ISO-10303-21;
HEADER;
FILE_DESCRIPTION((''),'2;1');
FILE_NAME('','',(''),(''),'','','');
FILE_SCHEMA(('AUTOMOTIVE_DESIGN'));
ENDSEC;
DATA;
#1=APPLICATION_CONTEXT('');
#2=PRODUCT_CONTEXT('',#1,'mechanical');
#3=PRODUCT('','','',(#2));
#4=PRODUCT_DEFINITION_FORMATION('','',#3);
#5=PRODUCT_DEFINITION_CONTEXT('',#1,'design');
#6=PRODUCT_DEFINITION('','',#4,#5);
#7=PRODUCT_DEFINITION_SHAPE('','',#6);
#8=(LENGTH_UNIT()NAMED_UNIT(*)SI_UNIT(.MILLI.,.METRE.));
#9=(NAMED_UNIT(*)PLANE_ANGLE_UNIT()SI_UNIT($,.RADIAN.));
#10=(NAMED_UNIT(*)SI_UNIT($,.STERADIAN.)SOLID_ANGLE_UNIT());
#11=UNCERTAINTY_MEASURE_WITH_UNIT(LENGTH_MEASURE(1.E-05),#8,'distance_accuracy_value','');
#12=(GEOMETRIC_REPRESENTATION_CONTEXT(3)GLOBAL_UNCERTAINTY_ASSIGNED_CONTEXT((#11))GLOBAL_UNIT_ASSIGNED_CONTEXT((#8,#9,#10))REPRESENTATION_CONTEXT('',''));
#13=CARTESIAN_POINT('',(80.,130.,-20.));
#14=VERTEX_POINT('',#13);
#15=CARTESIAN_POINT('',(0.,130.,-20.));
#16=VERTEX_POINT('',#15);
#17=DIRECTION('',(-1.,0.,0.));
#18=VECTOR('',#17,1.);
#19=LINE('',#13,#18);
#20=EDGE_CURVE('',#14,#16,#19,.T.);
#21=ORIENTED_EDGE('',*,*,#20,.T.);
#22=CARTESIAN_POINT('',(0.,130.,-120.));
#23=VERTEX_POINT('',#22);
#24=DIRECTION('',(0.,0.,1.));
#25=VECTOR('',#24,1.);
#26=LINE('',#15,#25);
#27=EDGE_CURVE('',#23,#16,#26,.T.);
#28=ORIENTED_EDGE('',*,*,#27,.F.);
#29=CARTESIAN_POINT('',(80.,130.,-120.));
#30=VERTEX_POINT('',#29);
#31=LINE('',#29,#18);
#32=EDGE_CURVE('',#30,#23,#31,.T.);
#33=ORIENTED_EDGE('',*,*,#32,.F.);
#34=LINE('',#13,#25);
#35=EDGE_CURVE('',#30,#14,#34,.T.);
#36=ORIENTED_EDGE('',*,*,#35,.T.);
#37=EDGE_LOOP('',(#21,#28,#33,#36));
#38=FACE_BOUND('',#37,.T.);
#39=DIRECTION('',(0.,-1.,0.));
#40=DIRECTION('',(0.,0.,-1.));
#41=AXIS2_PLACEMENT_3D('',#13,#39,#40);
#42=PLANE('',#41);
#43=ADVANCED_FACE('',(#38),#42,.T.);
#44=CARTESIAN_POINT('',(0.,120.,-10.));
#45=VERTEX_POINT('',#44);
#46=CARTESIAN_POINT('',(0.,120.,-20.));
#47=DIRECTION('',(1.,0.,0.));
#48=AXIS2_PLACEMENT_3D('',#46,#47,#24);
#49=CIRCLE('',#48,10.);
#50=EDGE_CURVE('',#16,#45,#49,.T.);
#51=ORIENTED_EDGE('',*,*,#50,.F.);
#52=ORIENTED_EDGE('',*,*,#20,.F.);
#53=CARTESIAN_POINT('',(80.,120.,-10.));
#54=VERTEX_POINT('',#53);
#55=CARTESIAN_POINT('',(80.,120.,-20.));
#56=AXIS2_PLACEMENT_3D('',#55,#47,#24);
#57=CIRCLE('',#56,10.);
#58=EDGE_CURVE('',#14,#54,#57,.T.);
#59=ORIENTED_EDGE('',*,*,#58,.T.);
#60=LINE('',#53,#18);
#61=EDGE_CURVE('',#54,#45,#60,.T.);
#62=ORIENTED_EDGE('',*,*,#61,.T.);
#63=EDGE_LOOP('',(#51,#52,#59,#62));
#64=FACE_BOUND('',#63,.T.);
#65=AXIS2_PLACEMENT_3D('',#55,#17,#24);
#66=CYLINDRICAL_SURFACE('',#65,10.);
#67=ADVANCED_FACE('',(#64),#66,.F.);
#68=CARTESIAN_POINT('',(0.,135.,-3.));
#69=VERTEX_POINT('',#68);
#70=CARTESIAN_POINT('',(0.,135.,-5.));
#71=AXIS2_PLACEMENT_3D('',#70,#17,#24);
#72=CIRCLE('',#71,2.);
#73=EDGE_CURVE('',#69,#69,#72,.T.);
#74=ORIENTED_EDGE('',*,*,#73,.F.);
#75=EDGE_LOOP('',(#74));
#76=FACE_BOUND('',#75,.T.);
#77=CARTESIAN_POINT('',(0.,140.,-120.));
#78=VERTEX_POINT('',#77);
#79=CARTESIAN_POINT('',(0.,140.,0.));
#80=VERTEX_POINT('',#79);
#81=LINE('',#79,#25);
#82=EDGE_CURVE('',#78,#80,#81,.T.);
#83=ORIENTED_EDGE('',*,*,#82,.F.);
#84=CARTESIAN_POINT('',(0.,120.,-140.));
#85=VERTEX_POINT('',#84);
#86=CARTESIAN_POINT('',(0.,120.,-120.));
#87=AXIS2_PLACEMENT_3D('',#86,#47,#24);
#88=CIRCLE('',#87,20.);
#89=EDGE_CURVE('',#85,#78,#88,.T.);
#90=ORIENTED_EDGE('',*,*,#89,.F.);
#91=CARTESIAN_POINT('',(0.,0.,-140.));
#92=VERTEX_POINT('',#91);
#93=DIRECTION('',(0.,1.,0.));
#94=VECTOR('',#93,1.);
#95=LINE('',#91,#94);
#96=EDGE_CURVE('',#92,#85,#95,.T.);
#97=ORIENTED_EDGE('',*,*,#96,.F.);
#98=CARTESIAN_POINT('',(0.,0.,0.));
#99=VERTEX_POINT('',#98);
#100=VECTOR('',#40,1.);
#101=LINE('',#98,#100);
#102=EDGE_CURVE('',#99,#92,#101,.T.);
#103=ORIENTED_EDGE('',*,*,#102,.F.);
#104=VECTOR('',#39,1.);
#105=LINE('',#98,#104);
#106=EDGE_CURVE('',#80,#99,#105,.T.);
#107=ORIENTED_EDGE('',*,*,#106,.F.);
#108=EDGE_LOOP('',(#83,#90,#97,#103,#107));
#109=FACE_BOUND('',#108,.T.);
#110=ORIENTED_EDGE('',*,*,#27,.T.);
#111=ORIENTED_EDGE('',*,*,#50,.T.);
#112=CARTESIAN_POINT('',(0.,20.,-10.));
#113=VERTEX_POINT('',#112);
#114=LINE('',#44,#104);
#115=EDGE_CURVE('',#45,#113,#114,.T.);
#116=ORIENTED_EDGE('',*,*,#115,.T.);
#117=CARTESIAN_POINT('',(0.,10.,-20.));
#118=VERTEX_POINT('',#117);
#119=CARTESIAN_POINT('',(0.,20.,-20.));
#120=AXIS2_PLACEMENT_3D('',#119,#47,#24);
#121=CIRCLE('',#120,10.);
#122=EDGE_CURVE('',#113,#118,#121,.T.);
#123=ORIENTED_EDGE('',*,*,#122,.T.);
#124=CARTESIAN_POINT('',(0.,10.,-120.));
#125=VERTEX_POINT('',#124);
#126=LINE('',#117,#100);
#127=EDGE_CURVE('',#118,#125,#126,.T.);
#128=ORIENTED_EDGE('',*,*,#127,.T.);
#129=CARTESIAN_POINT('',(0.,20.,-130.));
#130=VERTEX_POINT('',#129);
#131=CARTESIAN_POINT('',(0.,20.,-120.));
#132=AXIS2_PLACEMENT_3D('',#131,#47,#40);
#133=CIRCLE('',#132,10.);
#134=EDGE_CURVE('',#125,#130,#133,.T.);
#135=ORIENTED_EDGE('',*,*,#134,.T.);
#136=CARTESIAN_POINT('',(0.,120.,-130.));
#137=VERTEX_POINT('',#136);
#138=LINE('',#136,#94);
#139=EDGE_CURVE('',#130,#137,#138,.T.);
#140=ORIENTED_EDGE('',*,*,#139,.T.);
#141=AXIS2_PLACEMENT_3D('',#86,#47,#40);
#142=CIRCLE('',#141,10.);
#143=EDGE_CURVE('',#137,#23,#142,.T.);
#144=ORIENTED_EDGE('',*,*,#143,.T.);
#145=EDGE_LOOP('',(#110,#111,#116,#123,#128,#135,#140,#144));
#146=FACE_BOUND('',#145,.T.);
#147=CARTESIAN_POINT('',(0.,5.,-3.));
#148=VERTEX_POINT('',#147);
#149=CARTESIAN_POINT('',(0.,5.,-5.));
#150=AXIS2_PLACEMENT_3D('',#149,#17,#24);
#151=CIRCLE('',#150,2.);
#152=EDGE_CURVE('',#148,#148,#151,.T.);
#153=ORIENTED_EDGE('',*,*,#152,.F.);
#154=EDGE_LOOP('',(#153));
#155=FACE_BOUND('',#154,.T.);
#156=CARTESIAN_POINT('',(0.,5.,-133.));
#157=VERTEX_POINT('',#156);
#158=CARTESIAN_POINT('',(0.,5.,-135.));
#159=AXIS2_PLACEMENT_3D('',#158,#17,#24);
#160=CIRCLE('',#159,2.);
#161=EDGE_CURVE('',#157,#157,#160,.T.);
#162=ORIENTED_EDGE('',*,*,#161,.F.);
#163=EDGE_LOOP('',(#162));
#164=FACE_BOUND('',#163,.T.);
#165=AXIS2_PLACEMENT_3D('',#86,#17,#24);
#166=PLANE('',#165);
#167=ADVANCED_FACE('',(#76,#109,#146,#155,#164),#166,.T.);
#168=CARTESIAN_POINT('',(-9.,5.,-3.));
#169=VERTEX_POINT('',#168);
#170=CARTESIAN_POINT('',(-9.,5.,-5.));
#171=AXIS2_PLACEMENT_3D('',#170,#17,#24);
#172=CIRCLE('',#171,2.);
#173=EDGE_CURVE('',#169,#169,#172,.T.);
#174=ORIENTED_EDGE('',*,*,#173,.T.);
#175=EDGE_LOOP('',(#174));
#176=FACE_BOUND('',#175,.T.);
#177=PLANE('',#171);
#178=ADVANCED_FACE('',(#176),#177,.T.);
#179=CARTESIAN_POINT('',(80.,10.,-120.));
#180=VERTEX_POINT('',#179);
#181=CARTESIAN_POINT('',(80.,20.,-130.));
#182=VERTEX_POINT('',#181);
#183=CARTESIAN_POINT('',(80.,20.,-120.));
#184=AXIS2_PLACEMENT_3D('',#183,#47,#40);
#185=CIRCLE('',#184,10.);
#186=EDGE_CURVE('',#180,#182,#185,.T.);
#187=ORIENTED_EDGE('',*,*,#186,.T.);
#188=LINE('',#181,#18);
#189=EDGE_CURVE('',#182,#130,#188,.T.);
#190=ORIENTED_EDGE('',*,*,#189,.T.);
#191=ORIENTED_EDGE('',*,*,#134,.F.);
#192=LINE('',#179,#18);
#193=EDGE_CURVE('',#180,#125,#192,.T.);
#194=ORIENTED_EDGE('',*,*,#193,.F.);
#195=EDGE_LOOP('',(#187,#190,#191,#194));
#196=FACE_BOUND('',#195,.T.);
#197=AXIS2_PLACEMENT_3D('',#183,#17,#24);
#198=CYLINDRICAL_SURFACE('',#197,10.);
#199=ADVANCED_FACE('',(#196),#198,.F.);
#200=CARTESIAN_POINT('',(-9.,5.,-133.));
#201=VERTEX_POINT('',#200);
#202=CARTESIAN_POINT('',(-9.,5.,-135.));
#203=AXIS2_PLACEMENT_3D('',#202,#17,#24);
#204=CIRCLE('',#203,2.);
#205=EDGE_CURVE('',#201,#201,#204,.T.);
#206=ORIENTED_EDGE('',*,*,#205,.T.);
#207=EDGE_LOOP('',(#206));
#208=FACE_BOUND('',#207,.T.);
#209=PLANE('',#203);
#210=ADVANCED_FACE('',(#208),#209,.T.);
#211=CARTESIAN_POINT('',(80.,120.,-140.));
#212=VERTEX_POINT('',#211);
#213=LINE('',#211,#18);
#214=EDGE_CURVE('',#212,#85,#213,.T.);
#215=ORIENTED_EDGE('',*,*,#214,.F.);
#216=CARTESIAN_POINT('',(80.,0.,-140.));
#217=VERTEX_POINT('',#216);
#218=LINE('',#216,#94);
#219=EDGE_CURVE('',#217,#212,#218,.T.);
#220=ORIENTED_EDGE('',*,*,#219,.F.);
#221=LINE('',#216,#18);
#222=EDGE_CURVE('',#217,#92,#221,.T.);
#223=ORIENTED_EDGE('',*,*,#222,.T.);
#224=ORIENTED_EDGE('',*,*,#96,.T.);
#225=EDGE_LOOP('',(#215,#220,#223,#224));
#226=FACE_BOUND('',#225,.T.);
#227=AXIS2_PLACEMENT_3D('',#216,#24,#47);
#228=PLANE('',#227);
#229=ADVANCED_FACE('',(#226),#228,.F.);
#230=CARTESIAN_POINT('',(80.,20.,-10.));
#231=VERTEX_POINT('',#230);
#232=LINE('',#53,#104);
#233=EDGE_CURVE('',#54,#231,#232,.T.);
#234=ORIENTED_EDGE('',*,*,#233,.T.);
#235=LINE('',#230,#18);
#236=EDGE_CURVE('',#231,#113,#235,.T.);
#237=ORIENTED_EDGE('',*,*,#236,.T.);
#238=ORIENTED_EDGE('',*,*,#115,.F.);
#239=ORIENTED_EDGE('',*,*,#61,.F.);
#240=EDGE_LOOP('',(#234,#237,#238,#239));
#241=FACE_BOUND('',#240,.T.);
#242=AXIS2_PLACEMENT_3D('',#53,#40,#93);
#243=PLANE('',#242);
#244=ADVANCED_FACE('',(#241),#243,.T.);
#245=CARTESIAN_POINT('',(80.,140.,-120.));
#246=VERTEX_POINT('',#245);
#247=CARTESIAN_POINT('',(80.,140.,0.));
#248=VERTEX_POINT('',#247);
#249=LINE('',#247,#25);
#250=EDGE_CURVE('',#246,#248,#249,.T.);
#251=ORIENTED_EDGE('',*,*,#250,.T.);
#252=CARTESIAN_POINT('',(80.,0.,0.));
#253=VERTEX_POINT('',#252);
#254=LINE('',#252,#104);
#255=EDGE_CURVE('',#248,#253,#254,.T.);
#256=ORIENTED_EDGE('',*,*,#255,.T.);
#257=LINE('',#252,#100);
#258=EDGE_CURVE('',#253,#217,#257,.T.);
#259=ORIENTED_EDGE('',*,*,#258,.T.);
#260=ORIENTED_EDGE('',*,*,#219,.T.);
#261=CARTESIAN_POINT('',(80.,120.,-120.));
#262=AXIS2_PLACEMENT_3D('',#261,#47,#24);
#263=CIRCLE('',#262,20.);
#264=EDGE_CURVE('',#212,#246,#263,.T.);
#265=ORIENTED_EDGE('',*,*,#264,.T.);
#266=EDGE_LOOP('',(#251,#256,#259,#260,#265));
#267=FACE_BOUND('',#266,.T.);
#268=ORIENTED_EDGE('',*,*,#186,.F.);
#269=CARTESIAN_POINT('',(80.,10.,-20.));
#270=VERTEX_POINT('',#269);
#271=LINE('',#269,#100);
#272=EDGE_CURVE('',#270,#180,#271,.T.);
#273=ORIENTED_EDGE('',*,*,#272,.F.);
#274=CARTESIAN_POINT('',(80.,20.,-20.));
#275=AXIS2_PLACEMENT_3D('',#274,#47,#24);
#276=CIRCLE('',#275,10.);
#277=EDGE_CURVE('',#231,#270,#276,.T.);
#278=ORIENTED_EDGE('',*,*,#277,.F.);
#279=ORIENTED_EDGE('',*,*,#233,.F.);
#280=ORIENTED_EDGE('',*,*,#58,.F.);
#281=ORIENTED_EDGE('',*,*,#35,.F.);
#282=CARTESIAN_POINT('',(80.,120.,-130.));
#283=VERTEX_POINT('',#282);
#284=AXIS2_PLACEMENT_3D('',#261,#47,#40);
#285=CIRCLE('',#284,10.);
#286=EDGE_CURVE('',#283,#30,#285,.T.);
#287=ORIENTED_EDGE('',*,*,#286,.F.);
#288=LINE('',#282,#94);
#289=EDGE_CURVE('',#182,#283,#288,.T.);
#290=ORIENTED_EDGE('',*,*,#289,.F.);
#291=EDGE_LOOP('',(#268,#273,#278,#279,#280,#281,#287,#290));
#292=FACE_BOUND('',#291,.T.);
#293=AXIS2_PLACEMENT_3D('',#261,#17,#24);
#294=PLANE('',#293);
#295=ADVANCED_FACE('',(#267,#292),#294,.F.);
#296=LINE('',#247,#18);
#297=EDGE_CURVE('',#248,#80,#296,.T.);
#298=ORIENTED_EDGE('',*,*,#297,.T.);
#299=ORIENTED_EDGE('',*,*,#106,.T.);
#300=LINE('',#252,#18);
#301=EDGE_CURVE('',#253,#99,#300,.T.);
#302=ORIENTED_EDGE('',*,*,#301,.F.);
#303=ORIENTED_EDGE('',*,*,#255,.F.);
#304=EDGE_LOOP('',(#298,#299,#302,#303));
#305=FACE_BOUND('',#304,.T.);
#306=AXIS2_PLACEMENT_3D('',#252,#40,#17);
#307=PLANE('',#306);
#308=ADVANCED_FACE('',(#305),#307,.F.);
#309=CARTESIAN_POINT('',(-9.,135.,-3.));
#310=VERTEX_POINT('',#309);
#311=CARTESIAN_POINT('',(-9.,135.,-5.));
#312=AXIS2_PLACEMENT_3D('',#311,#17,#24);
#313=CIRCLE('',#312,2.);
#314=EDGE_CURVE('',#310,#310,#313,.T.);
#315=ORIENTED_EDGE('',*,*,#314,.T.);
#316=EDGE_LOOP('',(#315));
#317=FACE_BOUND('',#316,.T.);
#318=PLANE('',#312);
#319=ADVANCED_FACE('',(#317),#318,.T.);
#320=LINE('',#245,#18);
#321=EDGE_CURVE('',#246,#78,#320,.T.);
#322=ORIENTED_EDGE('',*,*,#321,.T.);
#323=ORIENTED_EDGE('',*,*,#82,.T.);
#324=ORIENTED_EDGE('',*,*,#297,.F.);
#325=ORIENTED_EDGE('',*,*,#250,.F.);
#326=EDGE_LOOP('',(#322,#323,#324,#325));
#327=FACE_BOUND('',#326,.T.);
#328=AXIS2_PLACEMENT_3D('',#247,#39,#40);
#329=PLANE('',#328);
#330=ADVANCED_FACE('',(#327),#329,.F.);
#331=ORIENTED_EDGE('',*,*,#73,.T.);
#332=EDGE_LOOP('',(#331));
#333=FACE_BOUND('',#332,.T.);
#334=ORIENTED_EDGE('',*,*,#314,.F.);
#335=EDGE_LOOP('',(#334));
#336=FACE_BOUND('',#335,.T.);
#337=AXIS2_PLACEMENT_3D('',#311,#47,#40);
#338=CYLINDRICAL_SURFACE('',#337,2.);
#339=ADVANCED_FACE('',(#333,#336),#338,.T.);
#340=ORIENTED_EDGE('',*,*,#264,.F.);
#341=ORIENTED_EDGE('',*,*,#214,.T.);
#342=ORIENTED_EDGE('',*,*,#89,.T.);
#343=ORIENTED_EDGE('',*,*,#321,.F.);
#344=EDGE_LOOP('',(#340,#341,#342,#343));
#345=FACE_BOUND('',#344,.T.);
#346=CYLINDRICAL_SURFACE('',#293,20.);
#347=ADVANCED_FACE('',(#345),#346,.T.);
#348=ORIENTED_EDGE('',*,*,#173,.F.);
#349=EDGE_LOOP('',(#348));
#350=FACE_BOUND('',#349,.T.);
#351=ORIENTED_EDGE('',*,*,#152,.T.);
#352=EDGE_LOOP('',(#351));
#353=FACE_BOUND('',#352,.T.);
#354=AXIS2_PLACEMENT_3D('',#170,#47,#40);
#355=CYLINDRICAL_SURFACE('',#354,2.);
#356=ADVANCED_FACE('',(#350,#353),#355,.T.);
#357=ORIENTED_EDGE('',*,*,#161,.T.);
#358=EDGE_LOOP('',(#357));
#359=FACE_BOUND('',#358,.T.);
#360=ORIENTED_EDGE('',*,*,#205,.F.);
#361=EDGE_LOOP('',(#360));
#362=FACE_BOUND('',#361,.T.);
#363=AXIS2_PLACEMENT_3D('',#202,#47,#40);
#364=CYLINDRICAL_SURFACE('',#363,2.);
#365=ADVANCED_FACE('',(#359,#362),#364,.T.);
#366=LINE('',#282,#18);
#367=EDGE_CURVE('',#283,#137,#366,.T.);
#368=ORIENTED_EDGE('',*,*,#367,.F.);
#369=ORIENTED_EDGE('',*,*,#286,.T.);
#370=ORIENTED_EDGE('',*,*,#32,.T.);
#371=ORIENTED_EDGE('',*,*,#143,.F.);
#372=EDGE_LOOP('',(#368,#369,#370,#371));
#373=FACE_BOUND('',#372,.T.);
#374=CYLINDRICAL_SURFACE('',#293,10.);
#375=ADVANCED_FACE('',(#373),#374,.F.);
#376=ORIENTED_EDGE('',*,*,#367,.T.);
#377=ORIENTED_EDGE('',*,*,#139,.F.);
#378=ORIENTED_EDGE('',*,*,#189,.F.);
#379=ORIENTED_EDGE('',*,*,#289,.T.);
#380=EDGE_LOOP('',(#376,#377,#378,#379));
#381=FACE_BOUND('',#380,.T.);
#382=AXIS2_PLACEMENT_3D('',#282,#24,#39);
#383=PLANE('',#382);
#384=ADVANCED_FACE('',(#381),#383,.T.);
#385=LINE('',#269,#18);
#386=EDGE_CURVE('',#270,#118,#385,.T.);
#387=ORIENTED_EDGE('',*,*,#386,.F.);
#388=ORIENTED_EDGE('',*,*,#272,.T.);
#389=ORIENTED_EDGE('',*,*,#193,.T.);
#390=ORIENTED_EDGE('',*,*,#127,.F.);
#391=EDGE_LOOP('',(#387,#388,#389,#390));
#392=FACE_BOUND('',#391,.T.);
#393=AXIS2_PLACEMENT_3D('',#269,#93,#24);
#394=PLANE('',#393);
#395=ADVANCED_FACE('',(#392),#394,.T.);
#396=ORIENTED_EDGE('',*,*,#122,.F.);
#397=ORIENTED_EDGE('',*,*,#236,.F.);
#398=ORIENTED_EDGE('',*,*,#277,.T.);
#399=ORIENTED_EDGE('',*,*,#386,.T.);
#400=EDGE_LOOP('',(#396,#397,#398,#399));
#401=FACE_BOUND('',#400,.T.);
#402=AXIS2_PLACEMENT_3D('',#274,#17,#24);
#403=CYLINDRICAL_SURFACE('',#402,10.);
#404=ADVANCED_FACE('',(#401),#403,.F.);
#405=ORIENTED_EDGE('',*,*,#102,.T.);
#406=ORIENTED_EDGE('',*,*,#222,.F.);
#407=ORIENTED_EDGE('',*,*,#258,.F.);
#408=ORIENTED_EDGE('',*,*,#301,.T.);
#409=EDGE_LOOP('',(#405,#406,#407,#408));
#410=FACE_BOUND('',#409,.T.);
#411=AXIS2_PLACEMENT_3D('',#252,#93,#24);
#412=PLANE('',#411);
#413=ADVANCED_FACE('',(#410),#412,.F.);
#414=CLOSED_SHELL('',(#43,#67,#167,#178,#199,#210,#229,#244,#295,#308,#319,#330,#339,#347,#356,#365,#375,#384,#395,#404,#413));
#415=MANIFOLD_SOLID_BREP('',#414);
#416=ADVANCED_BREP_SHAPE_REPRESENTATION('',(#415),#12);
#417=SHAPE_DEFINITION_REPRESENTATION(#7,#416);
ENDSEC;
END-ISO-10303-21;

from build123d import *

# Parameters (mm, degrees)
EXTRUDE_1_DEPTH = 80
SKETCH_2_R      = 2
EXTRUDE_2_DEPTH = 9


with BuildPart() as part:
    # 草图1 → 凸台-拉伸1 (new body)
    with BuildSketch(Plane(origin=(0, 0, 0), x_dir=(0, 0, -1), z_dir=(1, 0, 0))):
        with BuildLine():
            Line((0, 0), (140, 0))
            Line((140, 0), (140, 120))
            ThreePointArc((140, 120), (134.142135624, 134.142135624), (120, 140))
            Line((120, 140), (0, 140))
            Line((0, 140), (0, 0))
        make_face()
        with BuildLine():
            Line((20, 130), (120, 130))
            ThreePointArc((120, 130), (127.071067812, 127.071067812), (130, 120))
            Line((130, 120), (130, 20))
            ThreePointArc((130, 20), (127.071067812, 12.928932188), (120, 10))
            Line((120, 10), (20, 10))
            ThreePointArc((20, 10), (12.928932188, 12.928932188), (10, 20))
            Line((10, 20), (10, 120))
            ThreePointArc((10, 120), (12.928932188, 127.071067812), (20, 130))
        make_face(mode=Mode.SUBTRACT)
    extrude(amount=EXTRUDE_1_DEPTH)

    # 草图2 → 凸台-拉伸2 (add)
    with BuildSketch(Plane.ZY):
        with Locations((-5, 135)):
            Circle(SKETCH_2_R)
        with Locations((-135, 5)):
            Circle(SKETCH_2_R)
        with Locations((-5, 5)):
            Circle(SKETCH_2_R)
    extrude(amount=EXTRUDE_2_DEPTH)


solid = part.part
